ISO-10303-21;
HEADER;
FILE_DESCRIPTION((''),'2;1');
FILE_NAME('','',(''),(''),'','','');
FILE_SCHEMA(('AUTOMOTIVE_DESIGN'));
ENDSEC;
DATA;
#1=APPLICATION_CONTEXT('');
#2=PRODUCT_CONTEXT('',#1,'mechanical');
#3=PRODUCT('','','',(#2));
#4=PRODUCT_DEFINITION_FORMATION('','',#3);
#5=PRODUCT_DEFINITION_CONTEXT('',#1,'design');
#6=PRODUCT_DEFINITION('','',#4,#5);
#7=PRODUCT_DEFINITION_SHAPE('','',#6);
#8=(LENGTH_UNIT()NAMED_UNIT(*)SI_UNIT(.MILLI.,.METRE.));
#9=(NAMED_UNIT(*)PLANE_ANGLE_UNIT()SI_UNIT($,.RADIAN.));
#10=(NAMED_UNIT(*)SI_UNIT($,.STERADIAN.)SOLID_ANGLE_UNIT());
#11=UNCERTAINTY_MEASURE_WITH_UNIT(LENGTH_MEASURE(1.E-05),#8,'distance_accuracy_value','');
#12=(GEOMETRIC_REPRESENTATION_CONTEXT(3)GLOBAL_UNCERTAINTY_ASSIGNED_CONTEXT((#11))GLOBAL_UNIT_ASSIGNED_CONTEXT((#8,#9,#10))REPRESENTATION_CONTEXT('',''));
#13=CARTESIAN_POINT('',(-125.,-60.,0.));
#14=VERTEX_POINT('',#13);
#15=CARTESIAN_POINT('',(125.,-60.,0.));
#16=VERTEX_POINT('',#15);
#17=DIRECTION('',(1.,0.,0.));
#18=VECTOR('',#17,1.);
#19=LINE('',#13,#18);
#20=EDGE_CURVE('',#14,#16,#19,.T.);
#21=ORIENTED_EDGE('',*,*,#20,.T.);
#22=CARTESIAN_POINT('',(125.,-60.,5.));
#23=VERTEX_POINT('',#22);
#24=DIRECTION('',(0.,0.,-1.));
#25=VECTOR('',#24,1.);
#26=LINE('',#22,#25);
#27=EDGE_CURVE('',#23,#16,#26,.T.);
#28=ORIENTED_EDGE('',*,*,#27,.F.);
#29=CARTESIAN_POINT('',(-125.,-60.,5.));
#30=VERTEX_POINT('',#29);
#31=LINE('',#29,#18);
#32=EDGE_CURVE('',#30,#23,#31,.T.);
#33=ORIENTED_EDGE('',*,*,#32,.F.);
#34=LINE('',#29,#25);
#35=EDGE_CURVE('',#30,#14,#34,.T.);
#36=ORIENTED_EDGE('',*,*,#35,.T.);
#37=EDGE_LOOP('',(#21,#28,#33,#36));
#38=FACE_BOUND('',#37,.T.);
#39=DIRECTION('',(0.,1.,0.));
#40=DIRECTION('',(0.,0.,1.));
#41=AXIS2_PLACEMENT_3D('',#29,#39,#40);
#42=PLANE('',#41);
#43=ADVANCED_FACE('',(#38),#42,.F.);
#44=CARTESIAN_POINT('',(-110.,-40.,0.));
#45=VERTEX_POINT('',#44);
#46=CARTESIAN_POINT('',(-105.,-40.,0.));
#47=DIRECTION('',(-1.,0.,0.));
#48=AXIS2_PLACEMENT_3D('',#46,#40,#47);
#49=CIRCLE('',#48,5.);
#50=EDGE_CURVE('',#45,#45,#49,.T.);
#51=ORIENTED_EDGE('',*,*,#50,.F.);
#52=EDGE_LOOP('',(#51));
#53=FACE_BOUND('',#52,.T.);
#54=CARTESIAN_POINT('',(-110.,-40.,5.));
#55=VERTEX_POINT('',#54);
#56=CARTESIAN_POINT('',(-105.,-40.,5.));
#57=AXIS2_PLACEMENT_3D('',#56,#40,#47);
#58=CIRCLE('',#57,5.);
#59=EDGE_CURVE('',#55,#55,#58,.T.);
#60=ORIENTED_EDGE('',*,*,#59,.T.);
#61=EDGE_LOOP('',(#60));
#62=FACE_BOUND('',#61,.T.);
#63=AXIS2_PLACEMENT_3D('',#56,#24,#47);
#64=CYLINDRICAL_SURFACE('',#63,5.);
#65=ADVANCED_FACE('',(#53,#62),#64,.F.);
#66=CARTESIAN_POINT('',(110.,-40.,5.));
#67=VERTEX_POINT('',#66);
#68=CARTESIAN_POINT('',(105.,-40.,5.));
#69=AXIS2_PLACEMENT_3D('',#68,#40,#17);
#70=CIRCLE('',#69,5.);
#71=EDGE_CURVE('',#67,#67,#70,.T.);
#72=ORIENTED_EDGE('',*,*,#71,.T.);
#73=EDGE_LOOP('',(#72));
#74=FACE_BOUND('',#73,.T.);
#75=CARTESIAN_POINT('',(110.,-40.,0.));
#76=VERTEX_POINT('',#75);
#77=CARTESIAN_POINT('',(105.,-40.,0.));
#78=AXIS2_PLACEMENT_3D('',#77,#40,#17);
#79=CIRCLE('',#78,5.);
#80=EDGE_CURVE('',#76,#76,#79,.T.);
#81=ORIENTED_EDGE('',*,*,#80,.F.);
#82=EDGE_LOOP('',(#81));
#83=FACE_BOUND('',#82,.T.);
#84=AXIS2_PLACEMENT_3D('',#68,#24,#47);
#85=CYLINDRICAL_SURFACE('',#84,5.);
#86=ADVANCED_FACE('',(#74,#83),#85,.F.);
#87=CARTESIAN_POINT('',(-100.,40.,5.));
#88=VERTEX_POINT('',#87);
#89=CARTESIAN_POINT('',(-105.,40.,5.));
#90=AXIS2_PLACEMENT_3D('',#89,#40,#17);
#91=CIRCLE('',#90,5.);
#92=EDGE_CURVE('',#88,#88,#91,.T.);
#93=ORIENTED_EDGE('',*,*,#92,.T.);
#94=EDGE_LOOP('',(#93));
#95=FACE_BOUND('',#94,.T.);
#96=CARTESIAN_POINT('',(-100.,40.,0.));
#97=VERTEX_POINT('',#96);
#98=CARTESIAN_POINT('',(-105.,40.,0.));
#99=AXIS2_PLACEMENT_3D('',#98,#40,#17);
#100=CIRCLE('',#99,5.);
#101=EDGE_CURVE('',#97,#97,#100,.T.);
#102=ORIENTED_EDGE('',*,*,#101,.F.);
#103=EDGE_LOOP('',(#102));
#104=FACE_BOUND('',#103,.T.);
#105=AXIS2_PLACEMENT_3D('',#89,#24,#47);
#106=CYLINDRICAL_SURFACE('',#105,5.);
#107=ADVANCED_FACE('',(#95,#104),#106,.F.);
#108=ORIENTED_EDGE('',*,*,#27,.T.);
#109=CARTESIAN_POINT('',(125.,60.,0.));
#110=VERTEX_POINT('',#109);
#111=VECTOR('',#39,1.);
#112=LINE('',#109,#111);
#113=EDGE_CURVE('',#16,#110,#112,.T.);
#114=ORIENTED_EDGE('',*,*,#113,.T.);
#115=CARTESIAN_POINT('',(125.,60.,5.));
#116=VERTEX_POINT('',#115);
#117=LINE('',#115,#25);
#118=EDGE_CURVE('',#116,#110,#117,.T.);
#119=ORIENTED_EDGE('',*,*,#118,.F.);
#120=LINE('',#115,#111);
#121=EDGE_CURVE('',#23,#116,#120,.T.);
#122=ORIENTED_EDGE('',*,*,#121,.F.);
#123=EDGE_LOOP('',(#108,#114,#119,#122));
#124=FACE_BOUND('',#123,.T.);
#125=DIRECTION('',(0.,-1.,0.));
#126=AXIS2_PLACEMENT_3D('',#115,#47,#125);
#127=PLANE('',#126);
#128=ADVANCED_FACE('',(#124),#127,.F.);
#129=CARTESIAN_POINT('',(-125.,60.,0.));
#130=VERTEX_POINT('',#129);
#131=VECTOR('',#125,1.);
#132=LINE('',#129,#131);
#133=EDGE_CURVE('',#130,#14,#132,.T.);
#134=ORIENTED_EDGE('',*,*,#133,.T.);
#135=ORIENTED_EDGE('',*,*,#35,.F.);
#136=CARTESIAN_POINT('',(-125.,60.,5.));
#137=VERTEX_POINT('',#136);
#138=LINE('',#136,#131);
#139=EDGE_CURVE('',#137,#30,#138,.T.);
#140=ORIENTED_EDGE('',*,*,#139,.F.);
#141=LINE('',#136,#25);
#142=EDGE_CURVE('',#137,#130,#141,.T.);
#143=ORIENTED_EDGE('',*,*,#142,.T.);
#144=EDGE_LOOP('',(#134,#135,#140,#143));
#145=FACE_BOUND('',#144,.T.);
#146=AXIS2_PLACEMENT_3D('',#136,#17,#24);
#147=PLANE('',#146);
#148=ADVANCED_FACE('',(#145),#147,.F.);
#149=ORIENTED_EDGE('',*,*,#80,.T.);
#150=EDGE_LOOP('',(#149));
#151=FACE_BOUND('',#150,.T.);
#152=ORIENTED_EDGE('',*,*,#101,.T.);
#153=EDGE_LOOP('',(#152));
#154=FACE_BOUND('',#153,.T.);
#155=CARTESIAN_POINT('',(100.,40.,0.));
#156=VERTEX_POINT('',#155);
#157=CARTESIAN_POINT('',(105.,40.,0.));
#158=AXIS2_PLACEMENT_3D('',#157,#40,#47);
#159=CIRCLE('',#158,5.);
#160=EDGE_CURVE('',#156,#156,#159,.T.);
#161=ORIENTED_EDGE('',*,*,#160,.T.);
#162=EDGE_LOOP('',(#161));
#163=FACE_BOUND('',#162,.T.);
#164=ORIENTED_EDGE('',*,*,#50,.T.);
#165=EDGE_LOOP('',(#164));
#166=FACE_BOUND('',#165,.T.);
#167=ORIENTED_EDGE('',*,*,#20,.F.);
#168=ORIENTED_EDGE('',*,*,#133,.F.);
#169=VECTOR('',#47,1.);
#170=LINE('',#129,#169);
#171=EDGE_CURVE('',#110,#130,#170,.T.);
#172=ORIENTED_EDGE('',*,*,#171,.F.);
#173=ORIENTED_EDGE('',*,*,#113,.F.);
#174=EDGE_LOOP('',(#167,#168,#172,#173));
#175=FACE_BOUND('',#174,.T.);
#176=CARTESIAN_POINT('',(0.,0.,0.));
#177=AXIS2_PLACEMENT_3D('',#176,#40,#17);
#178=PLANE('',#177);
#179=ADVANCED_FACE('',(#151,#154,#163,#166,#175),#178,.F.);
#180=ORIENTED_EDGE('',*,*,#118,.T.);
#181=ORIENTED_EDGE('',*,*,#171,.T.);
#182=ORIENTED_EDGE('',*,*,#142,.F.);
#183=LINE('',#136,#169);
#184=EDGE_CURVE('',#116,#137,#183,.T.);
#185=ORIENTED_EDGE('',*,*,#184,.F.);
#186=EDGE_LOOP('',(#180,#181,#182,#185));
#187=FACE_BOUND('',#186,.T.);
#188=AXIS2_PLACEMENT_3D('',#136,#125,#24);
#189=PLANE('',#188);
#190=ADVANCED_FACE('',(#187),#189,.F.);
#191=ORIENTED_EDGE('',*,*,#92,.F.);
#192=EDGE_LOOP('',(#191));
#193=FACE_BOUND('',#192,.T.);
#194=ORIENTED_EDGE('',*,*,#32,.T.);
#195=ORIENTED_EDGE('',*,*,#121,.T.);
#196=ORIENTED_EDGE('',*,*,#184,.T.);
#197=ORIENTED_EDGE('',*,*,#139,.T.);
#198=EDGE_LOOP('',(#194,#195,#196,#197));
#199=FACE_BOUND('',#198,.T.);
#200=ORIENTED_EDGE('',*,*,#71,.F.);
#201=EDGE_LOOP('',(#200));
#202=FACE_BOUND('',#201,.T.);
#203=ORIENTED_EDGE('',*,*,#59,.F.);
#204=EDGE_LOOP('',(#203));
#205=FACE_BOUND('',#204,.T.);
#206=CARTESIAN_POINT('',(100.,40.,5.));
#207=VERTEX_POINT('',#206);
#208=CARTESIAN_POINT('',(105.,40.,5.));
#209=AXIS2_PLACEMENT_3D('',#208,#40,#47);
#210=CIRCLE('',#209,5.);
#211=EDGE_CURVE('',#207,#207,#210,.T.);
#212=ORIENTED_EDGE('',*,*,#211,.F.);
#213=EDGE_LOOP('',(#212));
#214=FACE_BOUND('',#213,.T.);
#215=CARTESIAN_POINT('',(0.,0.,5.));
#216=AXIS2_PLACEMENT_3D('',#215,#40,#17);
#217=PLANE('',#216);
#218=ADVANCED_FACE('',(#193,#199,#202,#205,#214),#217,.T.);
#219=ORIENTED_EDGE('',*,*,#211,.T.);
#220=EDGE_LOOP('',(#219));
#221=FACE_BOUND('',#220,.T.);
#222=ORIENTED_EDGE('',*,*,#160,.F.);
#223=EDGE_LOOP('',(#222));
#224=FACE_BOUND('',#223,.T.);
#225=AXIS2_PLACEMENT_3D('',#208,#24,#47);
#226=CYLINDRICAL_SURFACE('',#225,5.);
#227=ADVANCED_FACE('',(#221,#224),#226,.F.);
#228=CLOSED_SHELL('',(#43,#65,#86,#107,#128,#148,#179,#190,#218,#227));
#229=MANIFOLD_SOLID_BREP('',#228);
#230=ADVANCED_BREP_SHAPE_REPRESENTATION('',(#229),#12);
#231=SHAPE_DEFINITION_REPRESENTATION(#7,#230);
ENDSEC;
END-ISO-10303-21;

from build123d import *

# Parameters (mm, degrees)
SKETCH_1_W      = 250
SKETCH_1_H      = 120
SKETCH_1_R      = 5
EXTRUDE_1_DEPTH = 5


with BuildPart() as part:
    # 草图1 → 凸台-拉伸1 (new body)
    with BuildSketch(Plane.XY):
        Rectangle(SKETCH_1_W, SKETCH_1_H)
        with Locations((-105, 40)):
            Circle(SKETCH_1_R, mode=Mode.SUBTRACT)
        with Locations((105, 40)):
            Circle(SKETCH_1_R, mode=Mode.SUBTRACT)
        with Locations((105, -40)):
            Circle(SKETCH_1_R, mode=Mode.SUBTRACT)
        with Locations((-105, -40)):
            Circle(SKETCH_1_R, mode=Mode.SUBTRACT)
    extrude(amount=EXTRUDE_1_DEPTH)


solid = part.part
